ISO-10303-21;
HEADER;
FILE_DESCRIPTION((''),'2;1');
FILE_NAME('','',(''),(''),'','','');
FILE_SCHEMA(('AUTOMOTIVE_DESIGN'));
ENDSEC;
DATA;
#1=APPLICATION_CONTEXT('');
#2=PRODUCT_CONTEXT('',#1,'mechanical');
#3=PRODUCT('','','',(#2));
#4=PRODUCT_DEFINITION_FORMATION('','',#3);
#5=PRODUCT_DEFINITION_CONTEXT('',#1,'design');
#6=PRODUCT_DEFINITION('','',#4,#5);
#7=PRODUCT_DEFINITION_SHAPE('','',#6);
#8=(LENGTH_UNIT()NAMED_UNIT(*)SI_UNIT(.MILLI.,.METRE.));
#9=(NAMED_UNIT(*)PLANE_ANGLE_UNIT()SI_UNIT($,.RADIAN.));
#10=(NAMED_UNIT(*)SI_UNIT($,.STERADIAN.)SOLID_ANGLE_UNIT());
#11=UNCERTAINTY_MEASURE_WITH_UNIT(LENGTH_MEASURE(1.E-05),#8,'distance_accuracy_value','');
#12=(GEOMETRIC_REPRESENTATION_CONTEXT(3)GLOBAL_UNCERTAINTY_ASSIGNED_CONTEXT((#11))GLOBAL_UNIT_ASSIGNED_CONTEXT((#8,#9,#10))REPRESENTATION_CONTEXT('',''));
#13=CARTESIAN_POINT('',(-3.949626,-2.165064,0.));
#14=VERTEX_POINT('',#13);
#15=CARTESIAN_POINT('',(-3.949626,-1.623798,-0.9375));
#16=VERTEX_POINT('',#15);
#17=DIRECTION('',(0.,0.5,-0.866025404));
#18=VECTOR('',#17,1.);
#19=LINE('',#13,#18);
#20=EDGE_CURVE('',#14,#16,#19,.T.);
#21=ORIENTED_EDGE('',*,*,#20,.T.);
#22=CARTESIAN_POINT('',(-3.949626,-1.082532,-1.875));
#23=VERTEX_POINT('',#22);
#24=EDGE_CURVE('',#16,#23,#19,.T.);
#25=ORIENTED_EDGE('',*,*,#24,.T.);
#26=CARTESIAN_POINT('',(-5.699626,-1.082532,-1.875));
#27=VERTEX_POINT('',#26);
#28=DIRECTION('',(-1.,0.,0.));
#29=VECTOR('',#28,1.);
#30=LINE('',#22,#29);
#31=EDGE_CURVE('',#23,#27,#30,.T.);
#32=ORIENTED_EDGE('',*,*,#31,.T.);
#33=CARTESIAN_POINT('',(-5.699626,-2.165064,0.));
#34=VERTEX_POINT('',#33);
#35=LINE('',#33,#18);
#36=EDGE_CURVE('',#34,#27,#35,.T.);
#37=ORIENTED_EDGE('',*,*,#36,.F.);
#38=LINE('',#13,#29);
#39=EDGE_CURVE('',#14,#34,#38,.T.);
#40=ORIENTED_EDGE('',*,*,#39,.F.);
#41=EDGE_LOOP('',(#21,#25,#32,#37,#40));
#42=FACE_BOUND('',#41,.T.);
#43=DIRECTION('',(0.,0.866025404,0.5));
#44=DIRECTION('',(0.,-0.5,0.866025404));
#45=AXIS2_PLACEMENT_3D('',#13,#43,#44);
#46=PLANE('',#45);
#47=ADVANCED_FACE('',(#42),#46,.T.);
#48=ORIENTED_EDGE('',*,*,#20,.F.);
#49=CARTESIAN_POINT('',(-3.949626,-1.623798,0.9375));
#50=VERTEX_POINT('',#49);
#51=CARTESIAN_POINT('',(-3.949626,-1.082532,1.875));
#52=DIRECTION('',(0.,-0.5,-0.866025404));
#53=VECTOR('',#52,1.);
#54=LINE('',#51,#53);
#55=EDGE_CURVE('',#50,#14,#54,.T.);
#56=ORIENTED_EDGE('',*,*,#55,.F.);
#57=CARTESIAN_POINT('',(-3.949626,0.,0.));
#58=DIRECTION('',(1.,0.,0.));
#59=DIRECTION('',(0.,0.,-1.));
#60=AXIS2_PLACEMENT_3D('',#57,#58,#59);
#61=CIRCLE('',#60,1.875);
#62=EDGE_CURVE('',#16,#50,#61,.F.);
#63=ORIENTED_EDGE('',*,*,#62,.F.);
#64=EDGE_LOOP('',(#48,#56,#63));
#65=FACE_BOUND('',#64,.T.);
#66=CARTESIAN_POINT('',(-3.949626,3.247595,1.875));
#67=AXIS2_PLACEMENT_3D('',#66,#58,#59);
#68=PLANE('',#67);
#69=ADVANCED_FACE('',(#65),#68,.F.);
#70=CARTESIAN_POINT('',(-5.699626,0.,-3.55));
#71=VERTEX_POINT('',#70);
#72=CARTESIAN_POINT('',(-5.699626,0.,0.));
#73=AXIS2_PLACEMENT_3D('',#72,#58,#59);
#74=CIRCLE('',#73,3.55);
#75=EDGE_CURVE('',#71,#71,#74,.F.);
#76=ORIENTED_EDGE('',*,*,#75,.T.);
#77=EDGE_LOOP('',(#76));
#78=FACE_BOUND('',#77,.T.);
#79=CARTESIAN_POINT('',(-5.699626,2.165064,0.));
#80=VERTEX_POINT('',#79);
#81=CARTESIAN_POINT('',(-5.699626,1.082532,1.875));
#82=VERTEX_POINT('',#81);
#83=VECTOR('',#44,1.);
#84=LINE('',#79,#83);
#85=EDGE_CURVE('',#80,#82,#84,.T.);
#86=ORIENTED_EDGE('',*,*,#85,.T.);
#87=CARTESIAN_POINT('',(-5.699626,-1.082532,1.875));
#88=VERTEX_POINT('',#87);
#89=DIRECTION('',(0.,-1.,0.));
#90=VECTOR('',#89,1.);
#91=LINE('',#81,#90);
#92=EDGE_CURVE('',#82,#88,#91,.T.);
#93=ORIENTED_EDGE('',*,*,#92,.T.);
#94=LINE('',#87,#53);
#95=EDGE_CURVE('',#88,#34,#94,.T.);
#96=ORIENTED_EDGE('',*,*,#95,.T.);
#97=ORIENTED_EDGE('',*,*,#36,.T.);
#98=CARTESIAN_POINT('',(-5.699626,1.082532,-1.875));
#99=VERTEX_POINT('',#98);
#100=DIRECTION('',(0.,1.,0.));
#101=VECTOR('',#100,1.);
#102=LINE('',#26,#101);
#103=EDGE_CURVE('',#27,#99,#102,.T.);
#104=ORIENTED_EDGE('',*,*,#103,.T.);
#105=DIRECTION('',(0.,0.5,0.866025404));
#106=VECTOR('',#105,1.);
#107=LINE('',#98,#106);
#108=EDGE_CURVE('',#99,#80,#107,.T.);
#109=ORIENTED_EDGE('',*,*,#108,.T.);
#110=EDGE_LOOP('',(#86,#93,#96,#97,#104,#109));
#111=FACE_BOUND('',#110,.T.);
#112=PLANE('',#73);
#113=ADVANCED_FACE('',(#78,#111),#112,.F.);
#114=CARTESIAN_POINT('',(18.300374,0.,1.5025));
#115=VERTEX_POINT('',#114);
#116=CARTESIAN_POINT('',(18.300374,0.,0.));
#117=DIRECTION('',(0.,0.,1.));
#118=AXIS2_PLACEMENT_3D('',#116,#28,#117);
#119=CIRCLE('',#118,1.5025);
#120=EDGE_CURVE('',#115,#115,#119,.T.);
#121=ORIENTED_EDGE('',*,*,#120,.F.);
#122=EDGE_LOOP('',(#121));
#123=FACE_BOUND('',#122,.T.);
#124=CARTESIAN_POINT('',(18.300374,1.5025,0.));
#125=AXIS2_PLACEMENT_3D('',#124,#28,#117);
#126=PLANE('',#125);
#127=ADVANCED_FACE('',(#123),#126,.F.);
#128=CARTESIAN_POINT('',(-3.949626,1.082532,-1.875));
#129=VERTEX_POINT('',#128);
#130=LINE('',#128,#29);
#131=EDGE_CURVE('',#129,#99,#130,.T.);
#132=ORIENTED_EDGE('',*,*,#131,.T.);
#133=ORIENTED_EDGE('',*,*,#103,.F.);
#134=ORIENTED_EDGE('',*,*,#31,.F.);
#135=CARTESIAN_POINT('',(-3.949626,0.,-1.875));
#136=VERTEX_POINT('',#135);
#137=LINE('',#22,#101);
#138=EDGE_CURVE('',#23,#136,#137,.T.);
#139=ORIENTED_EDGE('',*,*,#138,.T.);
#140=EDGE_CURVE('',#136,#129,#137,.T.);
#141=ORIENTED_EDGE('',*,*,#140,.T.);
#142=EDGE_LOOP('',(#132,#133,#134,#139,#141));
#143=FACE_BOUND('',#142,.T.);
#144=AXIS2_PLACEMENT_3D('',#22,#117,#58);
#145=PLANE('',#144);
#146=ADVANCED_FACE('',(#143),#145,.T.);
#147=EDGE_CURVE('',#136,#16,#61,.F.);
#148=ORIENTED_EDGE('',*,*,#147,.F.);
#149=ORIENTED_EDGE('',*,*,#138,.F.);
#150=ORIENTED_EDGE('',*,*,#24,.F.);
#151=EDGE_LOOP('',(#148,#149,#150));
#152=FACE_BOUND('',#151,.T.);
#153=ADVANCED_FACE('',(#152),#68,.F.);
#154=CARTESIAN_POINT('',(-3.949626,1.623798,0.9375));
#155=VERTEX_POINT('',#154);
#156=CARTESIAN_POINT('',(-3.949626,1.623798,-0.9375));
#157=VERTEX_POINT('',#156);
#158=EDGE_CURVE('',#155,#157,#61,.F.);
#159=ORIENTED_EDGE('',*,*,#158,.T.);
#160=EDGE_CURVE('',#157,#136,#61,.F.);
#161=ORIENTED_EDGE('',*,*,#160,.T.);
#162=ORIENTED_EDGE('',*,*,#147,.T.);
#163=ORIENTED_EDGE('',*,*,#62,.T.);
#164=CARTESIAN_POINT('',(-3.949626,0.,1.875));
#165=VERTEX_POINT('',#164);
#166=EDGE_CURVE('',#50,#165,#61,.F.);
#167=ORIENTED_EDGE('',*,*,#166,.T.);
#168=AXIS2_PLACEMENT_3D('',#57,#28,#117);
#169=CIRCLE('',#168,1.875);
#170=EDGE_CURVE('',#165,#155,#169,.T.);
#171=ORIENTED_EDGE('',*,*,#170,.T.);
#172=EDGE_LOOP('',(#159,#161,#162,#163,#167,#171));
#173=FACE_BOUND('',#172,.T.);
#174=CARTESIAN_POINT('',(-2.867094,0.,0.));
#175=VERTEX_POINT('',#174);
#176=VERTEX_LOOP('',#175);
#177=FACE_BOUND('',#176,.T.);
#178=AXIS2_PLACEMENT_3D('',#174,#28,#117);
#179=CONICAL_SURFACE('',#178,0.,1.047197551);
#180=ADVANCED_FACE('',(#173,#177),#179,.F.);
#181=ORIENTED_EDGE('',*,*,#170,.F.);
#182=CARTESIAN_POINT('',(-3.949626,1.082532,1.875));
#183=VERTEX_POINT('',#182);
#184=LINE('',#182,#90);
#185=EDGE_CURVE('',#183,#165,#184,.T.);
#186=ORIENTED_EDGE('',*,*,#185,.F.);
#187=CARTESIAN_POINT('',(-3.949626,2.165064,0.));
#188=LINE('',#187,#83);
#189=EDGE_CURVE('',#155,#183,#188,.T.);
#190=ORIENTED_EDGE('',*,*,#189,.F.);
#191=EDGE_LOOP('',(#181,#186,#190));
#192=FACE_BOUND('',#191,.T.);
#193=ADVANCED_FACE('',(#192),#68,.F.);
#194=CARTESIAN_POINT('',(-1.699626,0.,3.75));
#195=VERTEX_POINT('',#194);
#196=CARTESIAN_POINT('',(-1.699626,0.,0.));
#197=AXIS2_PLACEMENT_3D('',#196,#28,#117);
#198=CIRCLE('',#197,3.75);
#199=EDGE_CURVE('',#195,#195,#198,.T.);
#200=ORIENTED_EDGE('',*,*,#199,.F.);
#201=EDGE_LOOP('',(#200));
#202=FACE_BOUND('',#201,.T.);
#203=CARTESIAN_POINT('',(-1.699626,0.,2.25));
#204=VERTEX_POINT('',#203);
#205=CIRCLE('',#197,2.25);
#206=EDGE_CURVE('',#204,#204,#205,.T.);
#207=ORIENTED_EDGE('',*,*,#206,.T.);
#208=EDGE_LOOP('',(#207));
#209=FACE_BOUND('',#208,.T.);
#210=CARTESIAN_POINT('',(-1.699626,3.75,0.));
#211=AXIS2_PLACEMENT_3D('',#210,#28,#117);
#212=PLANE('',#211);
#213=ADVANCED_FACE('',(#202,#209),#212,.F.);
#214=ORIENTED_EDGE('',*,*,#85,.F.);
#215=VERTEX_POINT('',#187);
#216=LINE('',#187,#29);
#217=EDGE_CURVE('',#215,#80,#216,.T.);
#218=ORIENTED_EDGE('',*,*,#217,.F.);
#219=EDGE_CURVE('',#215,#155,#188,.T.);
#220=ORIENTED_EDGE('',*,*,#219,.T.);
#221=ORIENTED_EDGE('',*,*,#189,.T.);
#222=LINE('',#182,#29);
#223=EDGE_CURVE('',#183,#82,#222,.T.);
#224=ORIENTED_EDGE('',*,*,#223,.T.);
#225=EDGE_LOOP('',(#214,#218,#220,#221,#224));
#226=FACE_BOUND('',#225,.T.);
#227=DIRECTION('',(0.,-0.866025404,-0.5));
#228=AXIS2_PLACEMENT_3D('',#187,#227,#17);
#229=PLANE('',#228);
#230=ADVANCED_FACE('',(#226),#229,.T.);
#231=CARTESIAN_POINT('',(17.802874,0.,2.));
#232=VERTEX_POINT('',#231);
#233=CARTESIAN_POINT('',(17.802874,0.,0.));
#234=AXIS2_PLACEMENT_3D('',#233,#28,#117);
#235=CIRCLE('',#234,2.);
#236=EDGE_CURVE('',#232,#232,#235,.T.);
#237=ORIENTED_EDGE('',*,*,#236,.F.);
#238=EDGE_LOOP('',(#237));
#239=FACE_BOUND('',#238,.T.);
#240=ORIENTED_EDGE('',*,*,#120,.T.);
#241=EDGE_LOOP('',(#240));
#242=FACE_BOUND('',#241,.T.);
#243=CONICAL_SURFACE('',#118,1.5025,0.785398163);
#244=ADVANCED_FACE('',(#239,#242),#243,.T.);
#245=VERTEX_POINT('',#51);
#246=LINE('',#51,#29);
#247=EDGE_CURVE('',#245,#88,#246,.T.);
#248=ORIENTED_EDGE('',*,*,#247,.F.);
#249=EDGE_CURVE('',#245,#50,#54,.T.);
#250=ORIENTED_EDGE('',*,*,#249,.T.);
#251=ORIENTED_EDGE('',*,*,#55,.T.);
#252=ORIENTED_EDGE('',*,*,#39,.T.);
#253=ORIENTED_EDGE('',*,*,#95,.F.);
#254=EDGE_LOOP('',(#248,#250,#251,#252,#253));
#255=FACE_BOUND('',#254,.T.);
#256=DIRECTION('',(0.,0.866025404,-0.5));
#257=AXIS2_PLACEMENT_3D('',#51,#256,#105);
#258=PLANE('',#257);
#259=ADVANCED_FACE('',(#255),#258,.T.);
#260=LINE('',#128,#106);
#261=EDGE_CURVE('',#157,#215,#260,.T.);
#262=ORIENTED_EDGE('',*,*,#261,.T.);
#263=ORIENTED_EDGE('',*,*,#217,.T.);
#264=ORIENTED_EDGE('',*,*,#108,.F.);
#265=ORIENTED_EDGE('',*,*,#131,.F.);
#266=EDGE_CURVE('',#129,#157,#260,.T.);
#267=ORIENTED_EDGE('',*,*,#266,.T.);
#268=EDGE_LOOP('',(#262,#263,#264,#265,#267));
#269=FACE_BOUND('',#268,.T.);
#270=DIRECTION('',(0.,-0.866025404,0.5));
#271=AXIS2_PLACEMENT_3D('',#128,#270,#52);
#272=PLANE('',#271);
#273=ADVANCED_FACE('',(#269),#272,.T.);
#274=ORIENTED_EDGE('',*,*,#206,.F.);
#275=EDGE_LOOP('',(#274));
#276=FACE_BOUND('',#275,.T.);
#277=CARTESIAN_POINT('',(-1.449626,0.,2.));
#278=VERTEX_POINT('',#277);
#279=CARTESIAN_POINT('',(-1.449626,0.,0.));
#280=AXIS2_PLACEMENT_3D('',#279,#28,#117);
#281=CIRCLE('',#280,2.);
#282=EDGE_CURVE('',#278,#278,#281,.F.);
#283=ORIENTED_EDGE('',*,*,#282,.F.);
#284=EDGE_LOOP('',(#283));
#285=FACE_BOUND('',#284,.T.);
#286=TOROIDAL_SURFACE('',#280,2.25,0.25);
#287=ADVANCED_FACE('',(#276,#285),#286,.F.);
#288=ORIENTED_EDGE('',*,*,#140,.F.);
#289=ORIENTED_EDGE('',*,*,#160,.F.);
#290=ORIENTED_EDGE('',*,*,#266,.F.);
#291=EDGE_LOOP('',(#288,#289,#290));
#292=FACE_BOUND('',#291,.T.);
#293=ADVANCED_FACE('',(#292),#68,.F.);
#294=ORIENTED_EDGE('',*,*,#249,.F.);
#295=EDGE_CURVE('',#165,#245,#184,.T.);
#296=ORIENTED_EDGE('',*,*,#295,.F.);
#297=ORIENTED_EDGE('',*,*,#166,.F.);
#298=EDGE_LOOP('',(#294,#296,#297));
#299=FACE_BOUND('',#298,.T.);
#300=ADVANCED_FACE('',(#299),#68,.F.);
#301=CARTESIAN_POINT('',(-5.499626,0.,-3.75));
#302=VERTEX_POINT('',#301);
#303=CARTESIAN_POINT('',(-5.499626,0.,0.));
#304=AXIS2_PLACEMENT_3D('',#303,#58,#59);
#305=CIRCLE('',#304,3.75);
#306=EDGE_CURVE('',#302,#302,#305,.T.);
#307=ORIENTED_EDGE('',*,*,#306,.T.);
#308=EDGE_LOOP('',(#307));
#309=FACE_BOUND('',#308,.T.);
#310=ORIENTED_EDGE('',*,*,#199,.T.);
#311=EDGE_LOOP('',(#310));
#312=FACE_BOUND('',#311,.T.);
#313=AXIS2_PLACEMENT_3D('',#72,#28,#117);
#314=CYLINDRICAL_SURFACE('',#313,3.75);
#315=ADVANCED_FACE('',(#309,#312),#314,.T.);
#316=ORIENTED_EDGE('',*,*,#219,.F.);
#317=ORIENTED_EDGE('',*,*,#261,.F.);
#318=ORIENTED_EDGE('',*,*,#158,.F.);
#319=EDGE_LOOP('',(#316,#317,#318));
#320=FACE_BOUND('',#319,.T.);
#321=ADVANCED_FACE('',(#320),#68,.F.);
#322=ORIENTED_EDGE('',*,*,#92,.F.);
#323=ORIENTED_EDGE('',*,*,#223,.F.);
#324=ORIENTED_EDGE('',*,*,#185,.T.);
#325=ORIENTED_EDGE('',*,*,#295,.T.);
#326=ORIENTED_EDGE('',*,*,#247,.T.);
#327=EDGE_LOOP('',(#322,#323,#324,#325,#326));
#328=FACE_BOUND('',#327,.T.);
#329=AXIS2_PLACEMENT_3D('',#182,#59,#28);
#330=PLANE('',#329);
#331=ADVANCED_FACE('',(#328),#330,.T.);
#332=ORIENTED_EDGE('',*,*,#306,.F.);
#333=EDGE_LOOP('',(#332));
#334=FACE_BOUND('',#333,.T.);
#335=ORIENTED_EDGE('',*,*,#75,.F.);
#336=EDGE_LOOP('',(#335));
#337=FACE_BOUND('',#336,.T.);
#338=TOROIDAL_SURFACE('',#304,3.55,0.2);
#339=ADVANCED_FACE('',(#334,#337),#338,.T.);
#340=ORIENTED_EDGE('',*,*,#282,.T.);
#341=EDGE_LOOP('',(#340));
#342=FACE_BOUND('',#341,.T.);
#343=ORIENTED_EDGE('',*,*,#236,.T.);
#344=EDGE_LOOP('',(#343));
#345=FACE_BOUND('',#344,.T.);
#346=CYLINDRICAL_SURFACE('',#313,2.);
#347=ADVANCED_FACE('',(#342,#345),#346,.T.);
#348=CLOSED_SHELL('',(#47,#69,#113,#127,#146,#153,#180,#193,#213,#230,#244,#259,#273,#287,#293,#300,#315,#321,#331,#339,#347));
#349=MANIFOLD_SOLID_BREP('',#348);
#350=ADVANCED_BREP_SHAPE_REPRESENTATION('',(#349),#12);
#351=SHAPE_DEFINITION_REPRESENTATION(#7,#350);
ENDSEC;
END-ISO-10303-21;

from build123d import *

# Parameters (mm, degrees)
FILLET1_R    = 0.1
FILLET2_R    = 0.08
HEX_2_DEPTH  = 0.7
SCALE1_SCALE = 2.5


with BuildPart() as part:
    # BodySke → BaseBody (revolve)
    with BuildSketch(Plane.XY, mode=Mode.PRIVATE) as basebody_sk:
        Polygon((0, 0), (0, 1.5), (1.6, 1.5), (1.6, 0.8), (9.401, 0.8), (9.6, 0.601), (9.6, 0), align=None)
    revolve(basebody_sk.sketch.rotate(Axis((0, 0, 0), (1, 0, 0)), 90), axis=Axis((0, 0, 0), (1, 0, 0)))

    # Fillet1
    fillet1_edges = [part.edges().sort_by_distance(p)[0] for p in [
        (1.6, 0, -0.8),
    ]]
    fillet(fillet1_edges, radius=FILLET1_R)

    # Fillet2
    fillet2_edges = [part.edges().sort_by_distance(p)[0] for p in [
        (0, 0, -1.5),
    ]]
    fillet(fillet2_edges, radius=FILLET2_R)

    # HexSke → Hex 2 (cut)
    with BuildSketch(Plane(origin=(0, 0, 0), x_dir=(0, 0, -1), z_dir=(1, 0, 0))):
        Polygon((0, 0.866025404), (-0.75, 0.433012702), (-0.75, -0.433012702), (0, -0.866025404), (0.75, -0.433012702), (0.75, 0.433012702), align=None)
    extrude(amount=HEX_2_DEPTH, mode=Mode.SUBTRACT)

    # Hex-PreBroachSke → Hex-PreBroach (revolve, cut)
    with BuildSketch(Plane.XY, mode=Mode.PRIVATE) as hex_prebroach_sk:
        Polygon((0, 0), (0, 0.75), (0.7, 0.75), (1.133012702, 0), align=None)
    revolve(hex_prebroach_sk.sketch.rotate(Axis((0, 0, 0), (1, 0, 0)), 270), axis=Axis((0, 0, 0), (1, 0, 0)), mode=Mode.SUBTRACT)


with BuildPart() as part_1:
    # Scale1: scaled about (3.799750462, 0, 0)
    add(part.part.scale(SCALE1_SCALE).moved(Location((-5.699625693, 0, 0))))


solid = part_1.part
